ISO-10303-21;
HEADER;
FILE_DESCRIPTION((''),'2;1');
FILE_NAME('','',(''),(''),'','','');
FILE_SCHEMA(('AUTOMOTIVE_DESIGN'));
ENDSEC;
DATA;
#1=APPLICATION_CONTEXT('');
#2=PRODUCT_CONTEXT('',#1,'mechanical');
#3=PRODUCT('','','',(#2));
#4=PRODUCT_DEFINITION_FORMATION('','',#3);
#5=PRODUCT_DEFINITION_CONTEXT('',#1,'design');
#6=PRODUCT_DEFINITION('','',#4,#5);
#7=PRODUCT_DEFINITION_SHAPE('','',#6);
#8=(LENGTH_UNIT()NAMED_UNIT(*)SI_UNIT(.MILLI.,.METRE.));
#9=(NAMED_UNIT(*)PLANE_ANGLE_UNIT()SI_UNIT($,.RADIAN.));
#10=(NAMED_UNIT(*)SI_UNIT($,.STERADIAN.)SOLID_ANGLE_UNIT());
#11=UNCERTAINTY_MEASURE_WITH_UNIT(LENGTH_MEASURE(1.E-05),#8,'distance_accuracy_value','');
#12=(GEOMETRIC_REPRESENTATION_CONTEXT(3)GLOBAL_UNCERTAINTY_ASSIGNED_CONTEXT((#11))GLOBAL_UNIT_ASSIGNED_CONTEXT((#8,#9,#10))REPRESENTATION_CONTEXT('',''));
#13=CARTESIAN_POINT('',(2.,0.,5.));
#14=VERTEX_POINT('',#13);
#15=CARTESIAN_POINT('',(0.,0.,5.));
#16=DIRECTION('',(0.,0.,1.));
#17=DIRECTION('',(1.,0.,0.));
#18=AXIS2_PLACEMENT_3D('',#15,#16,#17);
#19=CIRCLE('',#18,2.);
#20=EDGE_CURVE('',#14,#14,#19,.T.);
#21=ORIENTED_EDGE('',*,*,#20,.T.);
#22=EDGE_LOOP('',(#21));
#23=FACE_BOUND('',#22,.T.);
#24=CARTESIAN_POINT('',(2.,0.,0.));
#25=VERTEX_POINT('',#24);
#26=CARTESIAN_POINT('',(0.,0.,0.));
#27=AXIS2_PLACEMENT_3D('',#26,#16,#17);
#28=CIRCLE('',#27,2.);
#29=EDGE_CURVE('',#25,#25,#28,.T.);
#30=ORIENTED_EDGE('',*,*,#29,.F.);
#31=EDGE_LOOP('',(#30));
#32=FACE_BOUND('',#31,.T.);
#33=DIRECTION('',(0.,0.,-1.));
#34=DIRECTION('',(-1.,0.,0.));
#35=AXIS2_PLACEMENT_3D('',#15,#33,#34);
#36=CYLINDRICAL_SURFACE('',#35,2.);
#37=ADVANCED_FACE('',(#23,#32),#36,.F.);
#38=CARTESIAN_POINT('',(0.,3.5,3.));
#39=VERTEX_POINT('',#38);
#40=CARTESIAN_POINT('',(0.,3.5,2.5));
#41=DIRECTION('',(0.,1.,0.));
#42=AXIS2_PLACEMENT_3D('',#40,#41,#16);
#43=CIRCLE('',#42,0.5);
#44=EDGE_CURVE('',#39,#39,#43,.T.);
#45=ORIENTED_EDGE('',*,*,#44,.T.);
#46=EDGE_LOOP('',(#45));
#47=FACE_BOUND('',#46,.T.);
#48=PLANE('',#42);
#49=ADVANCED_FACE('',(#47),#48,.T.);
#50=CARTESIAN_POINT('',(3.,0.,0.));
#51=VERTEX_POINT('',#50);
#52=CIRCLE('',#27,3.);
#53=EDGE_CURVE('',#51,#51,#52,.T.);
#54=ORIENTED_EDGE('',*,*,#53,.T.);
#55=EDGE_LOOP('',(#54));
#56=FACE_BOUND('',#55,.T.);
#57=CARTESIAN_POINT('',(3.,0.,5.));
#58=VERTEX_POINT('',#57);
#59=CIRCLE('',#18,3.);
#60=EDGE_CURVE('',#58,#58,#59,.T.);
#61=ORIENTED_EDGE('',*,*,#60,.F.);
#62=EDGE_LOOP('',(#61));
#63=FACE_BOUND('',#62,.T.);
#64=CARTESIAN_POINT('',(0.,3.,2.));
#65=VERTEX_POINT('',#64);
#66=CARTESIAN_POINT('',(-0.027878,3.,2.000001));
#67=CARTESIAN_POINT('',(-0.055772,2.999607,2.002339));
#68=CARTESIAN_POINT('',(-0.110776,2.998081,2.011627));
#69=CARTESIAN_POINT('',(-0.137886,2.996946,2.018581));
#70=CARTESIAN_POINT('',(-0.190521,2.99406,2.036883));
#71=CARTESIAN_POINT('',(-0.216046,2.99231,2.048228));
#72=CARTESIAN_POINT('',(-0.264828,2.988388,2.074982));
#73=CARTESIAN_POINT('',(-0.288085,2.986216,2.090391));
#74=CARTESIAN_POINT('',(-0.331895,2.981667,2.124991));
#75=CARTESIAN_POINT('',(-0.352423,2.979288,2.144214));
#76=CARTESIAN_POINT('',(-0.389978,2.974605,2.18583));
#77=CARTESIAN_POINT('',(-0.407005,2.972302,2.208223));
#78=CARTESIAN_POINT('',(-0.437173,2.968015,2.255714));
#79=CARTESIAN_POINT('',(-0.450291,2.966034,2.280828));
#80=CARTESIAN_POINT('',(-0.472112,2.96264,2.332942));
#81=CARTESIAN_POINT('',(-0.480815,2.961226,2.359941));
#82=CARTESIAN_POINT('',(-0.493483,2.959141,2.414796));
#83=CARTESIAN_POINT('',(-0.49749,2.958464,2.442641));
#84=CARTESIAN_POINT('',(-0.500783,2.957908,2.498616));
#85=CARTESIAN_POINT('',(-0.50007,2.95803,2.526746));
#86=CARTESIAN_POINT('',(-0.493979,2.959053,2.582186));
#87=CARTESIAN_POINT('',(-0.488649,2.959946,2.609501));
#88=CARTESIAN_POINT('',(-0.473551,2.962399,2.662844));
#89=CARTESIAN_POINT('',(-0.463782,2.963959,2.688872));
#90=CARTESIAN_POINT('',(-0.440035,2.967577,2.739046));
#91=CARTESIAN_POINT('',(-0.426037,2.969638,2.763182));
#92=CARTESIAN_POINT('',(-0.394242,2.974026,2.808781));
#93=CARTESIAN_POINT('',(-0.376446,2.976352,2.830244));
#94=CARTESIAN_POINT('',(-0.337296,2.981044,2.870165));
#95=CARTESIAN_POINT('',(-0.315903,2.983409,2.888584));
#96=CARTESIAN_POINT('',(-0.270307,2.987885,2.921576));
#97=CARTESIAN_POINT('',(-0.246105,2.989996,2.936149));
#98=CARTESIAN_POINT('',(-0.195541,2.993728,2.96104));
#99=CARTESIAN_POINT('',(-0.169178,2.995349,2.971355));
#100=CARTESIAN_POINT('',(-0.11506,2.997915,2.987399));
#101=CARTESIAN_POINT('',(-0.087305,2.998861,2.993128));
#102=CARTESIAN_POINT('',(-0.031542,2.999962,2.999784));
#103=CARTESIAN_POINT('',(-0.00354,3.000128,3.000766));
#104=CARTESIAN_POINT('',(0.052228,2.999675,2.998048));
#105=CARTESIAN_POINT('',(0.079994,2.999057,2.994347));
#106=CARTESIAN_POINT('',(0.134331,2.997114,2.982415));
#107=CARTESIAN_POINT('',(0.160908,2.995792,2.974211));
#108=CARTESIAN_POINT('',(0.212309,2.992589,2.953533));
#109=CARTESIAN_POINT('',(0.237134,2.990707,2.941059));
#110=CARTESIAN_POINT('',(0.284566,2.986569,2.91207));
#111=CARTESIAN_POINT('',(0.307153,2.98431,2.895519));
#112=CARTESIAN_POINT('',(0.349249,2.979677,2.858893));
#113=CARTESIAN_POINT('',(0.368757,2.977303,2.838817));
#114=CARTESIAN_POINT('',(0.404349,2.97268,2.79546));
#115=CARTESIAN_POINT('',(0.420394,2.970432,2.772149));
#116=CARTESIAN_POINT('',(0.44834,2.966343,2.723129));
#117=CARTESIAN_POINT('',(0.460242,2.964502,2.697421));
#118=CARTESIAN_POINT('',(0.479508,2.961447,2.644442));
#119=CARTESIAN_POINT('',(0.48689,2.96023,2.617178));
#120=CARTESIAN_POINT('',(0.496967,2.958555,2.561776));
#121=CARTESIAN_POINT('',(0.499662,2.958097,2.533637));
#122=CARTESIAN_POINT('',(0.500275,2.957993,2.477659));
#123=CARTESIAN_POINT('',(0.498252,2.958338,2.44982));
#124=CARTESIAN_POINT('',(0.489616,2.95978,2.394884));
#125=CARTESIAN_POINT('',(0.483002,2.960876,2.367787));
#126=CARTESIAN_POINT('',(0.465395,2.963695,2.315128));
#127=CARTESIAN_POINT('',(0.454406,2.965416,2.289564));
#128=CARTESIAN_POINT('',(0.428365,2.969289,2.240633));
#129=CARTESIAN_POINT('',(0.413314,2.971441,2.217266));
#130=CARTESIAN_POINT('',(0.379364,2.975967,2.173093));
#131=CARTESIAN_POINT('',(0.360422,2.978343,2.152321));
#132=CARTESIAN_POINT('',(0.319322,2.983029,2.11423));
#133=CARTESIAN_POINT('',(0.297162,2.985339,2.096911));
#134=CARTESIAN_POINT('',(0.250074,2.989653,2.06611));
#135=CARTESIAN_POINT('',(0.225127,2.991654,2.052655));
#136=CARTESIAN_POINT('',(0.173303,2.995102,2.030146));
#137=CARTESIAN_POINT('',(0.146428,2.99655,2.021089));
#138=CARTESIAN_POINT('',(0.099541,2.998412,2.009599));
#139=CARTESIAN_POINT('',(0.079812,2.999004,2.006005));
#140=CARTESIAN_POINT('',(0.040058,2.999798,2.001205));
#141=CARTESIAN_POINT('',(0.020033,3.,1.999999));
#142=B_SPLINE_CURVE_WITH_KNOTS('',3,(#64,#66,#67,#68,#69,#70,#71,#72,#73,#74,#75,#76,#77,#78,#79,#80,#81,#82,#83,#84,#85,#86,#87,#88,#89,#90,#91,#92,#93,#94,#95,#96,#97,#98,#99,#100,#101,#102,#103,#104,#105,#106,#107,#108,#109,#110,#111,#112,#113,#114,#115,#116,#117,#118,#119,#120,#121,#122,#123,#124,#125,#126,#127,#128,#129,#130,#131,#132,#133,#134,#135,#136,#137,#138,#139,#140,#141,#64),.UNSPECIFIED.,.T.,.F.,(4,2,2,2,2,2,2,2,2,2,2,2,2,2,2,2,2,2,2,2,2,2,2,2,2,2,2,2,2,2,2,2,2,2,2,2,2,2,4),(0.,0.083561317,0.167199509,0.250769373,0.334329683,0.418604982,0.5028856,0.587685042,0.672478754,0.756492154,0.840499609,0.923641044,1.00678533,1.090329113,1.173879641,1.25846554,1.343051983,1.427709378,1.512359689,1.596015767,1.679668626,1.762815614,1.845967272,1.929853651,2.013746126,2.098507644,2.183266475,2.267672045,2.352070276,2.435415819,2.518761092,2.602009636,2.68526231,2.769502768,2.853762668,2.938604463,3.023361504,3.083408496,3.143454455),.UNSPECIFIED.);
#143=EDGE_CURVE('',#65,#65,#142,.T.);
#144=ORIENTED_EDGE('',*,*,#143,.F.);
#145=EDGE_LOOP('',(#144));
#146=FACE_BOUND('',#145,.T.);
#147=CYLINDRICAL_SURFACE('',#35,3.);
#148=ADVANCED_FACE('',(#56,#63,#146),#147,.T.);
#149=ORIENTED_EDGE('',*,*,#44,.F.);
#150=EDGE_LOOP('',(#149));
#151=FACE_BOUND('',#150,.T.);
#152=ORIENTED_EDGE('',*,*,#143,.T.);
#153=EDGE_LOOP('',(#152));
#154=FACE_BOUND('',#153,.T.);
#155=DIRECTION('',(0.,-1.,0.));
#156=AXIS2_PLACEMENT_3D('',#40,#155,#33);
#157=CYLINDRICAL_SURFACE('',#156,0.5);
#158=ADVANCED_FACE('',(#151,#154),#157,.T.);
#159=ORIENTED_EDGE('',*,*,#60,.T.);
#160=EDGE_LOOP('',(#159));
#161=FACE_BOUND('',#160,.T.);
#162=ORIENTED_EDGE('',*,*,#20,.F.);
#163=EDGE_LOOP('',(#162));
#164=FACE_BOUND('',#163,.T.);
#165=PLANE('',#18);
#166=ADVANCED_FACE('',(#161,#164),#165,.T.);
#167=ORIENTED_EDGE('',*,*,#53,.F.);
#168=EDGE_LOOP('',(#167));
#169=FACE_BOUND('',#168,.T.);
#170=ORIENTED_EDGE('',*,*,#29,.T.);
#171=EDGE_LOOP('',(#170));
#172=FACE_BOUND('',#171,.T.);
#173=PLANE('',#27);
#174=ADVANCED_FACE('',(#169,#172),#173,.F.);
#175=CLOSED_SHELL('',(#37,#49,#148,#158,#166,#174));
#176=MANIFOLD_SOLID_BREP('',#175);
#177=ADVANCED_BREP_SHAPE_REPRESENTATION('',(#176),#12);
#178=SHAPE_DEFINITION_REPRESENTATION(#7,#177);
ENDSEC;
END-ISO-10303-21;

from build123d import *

# Parameters (mm, degrees)
SKETCH_1_R          = 3
SKETCH_1_R_2        = 2
EXTRUDE_1_DEPTH     = 5
SKETCH_2_R          = 0.5
EXTRUDE_2_DEPTH     = 3.5
SKETCH_3_R          = 2
CUT_EXTRUDE_1_DEPTH = 3.5


with BuildPart() as part:
    # 草图1 → 凸台-拉伸1 (new body)
    with BuildSketch(Plane.XY):
        Circle(SKETCH_1_R)
        Circle(SKETCH_1_R_2, mode=Mode.SUBTRACT)
    extrude(amount=EXTRUDE_1_DEPTH)

    # 草图2 → 凸台-拉伸2 (add)
    with BuildSketch(Plane(origin=(0, 0, 0), x_dir=(1, 0, 0), z_dir=(0, 1, 0))):
        with Locations((0, -2.5)):
            Circle(SKETCH_2_R)
    extrude(amount=EXTRUDE_2_DEPTH)

    # 草图3 → 切除-拉伸1 (cut)
    with BuildSketch(Plane.XY.offset(5)):
        Circle(SKETCH_3_R)
    extrude(amount=-CUT_EXTRUDE_1_DEPTH, mode=Mode.SUBTRACT)


solid = part.part
